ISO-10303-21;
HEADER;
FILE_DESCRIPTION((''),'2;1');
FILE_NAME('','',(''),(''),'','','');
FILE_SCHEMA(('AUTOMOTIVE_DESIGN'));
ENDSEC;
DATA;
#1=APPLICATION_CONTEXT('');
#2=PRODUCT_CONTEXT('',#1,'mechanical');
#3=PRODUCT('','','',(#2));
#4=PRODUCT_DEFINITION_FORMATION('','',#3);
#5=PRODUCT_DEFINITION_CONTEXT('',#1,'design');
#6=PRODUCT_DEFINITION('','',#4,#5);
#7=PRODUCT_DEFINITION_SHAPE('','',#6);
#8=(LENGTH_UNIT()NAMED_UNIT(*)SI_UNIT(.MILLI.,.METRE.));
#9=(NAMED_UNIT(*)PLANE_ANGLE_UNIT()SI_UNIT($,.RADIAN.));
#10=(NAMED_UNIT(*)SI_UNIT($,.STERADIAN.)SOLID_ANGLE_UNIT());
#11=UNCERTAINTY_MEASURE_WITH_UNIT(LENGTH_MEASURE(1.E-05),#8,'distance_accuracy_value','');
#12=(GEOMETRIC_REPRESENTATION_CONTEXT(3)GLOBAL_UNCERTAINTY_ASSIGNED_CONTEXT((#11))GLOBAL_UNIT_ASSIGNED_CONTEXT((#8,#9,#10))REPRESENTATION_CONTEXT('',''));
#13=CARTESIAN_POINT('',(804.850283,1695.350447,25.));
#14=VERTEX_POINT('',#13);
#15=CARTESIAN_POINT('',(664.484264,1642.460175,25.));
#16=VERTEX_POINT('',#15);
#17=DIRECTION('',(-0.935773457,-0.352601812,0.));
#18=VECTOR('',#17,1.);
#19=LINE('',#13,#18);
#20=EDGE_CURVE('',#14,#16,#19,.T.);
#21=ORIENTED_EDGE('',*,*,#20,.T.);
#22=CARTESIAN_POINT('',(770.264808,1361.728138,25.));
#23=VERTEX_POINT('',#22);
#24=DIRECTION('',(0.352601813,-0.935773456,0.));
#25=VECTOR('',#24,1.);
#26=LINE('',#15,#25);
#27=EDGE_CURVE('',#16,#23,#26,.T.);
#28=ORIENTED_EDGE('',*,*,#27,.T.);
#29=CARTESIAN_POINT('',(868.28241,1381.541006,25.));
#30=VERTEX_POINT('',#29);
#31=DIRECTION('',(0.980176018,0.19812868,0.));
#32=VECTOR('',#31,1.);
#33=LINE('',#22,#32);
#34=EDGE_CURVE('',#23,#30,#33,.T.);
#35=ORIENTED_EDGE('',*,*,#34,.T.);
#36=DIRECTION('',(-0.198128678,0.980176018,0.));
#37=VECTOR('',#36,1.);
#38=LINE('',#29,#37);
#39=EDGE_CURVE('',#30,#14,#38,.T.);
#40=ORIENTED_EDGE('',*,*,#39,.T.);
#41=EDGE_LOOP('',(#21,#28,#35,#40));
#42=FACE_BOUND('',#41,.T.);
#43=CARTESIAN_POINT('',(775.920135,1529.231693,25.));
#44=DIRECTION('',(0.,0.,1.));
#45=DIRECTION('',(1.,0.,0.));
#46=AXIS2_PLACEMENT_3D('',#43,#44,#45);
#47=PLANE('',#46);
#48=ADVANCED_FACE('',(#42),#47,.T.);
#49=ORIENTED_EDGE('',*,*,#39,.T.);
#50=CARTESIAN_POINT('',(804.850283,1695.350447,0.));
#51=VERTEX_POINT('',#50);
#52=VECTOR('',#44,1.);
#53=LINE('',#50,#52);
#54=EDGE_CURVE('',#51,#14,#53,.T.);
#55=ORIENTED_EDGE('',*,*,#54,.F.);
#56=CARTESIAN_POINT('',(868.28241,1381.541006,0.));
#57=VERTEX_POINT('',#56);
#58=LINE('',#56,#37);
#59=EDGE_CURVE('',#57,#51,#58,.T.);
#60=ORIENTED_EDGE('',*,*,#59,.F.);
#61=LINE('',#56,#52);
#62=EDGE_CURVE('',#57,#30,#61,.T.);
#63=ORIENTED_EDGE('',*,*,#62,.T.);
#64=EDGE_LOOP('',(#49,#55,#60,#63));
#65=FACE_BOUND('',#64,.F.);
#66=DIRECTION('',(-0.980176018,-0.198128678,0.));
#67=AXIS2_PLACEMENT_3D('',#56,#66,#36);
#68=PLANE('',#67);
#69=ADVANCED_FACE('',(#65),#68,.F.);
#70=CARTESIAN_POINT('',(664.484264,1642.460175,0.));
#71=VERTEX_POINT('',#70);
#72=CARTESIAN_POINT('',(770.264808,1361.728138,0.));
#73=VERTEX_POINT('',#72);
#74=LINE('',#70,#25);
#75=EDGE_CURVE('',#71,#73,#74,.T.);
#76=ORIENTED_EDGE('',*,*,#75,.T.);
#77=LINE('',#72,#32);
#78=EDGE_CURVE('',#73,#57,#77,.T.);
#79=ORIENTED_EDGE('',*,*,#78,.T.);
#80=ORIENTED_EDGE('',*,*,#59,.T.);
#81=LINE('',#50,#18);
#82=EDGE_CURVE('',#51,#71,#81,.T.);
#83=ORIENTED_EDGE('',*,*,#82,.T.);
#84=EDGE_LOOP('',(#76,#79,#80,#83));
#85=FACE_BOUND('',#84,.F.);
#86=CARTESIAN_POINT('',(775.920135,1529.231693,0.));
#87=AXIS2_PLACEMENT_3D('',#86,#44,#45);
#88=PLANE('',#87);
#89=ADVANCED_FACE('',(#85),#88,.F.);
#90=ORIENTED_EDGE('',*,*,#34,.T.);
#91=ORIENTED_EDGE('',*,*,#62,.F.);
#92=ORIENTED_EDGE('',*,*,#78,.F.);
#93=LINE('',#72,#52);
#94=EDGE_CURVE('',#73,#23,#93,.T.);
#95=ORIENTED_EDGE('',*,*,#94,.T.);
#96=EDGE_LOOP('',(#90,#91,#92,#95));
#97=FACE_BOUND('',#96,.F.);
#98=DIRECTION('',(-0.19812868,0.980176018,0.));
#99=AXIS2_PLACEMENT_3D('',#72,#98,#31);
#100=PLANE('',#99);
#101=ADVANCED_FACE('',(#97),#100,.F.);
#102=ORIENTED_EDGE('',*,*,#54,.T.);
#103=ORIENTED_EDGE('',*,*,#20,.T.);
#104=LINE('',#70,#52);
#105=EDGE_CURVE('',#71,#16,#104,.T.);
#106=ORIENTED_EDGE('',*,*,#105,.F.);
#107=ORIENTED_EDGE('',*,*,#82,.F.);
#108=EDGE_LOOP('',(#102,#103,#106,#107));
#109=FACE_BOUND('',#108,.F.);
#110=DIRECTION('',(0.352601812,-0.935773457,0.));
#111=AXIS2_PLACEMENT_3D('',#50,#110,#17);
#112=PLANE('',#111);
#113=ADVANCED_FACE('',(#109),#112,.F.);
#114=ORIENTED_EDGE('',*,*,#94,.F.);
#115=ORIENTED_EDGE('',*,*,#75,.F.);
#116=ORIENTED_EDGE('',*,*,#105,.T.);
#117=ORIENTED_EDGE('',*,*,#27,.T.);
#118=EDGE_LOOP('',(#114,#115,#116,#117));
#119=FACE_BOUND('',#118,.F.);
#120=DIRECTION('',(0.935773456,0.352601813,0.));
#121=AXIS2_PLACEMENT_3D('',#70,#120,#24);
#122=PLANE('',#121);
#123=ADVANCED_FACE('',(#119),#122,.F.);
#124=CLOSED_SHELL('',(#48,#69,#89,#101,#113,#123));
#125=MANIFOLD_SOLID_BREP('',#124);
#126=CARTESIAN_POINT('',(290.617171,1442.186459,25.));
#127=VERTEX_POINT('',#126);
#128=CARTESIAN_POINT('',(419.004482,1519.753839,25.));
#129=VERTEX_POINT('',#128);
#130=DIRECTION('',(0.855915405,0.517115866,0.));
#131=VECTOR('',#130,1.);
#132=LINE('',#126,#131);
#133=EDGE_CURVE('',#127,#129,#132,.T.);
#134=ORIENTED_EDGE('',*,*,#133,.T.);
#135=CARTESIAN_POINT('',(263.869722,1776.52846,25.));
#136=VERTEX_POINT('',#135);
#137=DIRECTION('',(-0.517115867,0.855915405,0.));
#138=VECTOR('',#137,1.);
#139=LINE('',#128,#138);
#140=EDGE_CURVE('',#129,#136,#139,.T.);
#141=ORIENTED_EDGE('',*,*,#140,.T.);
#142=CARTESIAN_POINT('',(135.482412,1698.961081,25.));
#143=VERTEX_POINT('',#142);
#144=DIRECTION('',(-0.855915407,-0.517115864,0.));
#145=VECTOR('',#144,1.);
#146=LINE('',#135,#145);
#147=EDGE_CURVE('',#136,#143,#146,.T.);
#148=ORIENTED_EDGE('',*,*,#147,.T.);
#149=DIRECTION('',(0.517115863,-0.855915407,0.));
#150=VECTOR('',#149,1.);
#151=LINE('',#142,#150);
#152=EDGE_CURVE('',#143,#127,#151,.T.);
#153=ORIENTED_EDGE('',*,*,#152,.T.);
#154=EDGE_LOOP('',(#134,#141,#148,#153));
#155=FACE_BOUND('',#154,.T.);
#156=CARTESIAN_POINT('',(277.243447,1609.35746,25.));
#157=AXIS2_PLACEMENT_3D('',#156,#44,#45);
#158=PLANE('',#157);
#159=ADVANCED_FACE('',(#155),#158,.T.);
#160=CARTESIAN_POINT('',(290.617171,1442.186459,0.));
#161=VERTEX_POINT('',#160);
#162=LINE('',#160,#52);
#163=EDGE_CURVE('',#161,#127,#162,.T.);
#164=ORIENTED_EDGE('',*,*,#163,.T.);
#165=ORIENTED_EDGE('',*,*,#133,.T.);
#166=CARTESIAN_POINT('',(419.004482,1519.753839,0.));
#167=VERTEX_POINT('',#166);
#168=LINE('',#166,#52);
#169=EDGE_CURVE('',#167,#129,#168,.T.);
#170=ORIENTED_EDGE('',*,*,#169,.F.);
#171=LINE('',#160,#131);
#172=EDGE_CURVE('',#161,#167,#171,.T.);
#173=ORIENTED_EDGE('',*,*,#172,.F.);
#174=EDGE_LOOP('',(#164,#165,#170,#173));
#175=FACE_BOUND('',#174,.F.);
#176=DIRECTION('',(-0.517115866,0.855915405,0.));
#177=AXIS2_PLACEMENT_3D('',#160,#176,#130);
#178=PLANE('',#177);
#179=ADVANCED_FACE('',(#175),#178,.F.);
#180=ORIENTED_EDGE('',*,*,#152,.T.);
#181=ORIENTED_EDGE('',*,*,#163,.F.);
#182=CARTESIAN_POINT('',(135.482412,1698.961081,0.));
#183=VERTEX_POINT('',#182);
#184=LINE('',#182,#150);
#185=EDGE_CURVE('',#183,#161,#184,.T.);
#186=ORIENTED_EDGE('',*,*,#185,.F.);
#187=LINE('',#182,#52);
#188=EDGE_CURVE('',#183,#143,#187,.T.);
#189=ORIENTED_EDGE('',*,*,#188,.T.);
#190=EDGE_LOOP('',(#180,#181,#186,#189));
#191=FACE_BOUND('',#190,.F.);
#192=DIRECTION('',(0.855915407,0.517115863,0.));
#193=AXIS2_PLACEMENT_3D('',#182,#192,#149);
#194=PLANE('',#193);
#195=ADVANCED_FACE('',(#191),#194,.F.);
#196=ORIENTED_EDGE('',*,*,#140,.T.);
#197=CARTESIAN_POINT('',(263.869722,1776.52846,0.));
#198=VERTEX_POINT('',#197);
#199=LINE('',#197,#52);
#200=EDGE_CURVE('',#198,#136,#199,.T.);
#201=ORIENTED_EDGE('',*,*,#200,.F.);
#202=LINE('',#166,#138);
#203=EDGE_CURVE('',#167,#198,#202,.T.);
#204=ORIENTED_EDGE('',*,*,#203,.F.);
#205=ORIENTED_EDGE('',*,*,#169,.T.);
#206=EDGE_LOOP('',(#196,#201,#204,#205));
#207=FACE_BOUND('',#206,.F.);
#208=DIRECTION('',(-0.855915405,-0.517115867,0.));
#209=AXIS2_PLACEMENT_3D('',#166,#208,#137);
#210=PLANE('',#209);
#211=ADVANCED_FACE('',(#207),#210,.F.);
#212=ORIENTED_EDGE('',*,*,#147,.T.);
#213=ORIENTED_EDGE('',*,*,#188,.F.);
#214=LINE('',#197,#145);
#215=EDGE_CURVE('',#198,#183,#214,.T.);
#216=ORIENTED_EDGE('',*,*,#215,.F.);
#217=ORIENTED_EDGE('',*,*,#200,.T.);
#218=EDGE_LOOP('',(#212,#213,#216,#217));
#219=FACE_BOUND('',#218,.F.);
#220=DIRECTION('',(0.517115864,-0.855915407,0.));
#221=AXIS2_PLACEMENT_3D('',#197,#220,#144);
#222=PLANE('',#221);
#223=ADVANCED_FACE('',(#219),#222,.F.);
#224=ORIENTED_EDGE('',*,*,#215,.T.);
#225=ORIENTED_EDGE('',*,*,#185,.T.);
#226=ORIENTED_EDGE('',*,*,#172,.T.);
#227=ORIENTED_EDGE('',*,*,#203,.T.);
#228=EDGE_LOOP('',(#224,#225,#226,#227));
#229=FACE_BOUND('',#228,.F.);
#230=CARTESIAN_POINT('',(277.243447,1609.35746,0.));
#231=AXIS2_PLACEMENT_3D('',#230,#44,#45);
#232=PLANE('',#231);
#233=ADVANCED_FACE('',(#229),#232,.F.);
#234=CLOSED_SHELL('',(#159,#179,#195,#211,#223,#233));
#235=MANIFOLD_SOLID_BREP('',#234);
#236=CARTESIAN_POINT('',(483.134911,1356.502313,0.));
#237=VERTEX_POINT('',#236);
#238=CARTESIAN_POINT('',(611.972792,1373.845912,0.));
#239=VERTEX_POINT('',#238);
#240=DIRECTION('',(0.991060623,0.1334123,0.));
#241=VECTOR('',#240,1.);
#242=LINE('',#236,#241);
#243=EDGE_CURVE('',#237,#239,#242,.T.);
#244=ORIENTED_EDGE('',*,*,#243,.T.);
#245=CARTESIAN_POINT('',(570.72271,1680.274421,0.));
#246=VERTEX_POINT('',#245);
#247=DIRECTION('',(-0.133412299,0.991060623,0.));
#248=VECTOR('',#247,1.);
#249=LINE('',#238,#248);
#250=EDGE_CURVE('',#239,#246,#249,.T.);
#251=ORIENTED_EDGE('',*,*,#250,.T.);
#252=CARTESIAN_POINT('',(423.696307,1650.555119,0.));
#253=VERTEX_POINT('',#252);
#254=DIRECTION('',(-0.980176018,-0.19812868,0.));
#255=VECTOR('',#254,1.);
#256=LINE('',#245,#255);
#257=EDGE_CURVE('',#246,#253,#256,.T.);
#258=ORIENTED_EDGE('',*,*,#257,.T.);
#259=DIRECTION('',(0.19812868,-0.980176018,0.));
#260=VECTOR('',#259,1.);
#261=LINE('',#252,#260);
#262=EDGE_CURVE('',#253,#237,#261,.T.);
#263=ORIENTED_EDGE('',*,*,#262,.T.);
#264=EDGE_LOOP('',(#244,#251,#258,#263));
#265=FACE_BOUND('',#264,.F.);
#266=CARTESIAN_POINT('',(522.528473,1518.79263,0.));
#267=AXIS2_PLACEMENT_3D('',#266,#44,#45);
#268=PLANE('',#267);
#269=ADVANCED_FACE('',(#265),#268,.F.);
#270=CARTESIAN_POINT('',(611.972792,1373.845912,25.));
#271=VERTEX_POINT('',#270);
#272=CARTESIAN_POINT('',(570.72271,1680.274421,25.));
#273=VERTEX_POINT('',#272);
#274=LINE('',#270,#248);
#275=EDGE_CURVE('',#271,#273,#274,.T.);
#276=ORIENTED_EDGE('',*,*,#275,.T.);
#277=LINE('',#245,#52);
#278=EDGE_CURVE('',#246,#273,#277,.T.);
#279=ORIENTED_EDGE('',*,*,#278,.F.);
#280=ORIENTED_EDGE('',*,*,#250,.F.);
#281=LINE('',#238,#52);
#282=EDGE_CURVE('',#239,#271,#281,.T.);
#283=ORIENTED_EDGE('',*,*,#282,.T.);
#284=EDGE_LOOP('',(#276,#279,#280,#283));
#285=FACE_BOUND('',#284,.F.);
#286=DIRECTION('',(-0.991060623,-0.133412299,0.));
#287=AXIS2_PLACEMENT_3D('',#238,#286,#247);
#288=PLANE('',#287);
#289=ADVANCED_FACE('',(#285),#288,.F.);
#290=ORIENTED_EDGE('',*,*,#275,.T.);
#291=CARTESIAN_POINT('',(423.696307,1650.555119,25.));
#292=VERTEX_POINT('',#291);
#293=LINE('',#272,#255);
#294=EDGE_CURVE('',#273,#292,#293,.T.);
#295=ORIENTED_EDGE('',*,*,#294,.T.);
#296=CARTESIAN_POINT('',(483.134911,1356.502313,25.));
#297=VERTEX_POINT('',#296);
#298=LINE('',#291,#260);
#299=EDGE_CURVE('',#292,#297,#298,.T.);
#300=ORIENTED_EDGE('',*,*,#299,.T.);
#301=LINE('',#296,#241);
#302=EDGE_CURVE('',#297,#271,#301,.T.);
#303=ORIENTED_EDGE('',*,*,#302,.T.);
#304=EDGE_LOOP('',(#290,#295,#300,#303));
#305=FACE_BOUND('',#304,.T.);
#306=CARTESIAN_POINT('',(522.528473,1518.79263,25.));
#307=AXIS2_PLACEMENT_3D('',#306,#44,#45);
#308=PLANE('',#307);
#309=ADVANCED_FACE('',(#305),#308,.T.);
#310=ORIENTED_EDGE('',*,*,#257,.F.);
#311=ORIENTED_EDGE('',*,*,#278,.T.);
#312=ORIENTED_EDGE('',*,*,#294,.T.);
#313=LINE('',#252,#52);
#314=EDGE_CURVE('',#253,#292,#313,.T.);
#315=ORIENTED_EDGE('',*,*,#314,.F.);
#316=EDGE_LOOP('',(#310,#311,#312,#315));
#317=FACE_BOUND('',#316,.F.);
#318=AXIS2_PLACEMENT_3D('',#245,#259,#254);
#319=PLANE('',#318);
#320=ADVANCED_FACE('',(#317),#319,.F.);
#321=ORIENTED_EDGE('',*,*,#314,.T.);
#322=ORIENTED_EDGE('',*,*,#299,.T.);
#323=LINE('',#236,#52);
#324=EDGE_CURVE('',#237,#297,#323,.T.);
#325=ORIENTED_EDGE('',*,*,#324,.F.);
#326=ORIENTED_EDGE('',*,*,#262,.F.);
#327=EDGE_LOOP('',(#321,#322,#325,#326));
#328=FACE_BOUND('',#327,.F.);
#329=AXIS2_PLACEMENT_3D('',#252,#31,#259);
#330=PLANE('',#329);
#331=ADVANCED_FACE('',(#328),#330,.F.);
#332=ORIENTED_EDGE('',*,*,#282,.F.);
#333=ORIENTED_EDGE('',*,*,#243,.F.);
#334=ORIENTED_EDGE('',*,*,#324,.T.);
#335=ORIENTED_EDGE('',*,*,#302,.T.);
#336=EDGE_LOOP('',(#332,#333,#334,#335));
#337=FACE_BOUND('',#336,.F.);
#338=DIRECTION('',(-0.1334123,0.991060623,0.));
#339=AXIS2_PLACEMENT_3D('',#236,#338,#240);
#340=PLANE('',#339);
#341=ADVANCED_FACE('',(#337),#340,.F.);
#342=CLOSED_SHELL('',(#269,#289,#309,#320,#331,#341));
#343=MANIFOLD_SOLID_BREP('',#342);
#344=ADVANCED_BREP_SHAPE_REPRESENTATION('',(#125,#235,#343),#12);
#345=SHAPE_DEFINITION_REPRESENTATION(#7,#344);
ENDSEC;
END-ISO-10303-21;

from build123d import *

# Parameters (mm, degrees)
F2_DEPTH = 25


with BuildPart() as f2:
    # F1 (on Top) → F2 (new body)
    with BuildSketch(Plane.XY):
        Polygon((263.869722, 1776.52846), (135.482412, 1698.961081), (290.617171, 1442.186459), (419.004482, 1519.753839), align=None)
        Polygon((570.72271, 1680.274421), (423.696307, 1650.555119), (483.134911, 1356.502313), (611.972792, 1373.845912), align=None)
        Polygon((804.850283, 1695.350447), (664.484264, 1642.460175), (770.264808, 1361.728138), (868.28241, 1381.541006), align=None)
    extrude(amount=F2_DEPTH)


solid = f2.part
